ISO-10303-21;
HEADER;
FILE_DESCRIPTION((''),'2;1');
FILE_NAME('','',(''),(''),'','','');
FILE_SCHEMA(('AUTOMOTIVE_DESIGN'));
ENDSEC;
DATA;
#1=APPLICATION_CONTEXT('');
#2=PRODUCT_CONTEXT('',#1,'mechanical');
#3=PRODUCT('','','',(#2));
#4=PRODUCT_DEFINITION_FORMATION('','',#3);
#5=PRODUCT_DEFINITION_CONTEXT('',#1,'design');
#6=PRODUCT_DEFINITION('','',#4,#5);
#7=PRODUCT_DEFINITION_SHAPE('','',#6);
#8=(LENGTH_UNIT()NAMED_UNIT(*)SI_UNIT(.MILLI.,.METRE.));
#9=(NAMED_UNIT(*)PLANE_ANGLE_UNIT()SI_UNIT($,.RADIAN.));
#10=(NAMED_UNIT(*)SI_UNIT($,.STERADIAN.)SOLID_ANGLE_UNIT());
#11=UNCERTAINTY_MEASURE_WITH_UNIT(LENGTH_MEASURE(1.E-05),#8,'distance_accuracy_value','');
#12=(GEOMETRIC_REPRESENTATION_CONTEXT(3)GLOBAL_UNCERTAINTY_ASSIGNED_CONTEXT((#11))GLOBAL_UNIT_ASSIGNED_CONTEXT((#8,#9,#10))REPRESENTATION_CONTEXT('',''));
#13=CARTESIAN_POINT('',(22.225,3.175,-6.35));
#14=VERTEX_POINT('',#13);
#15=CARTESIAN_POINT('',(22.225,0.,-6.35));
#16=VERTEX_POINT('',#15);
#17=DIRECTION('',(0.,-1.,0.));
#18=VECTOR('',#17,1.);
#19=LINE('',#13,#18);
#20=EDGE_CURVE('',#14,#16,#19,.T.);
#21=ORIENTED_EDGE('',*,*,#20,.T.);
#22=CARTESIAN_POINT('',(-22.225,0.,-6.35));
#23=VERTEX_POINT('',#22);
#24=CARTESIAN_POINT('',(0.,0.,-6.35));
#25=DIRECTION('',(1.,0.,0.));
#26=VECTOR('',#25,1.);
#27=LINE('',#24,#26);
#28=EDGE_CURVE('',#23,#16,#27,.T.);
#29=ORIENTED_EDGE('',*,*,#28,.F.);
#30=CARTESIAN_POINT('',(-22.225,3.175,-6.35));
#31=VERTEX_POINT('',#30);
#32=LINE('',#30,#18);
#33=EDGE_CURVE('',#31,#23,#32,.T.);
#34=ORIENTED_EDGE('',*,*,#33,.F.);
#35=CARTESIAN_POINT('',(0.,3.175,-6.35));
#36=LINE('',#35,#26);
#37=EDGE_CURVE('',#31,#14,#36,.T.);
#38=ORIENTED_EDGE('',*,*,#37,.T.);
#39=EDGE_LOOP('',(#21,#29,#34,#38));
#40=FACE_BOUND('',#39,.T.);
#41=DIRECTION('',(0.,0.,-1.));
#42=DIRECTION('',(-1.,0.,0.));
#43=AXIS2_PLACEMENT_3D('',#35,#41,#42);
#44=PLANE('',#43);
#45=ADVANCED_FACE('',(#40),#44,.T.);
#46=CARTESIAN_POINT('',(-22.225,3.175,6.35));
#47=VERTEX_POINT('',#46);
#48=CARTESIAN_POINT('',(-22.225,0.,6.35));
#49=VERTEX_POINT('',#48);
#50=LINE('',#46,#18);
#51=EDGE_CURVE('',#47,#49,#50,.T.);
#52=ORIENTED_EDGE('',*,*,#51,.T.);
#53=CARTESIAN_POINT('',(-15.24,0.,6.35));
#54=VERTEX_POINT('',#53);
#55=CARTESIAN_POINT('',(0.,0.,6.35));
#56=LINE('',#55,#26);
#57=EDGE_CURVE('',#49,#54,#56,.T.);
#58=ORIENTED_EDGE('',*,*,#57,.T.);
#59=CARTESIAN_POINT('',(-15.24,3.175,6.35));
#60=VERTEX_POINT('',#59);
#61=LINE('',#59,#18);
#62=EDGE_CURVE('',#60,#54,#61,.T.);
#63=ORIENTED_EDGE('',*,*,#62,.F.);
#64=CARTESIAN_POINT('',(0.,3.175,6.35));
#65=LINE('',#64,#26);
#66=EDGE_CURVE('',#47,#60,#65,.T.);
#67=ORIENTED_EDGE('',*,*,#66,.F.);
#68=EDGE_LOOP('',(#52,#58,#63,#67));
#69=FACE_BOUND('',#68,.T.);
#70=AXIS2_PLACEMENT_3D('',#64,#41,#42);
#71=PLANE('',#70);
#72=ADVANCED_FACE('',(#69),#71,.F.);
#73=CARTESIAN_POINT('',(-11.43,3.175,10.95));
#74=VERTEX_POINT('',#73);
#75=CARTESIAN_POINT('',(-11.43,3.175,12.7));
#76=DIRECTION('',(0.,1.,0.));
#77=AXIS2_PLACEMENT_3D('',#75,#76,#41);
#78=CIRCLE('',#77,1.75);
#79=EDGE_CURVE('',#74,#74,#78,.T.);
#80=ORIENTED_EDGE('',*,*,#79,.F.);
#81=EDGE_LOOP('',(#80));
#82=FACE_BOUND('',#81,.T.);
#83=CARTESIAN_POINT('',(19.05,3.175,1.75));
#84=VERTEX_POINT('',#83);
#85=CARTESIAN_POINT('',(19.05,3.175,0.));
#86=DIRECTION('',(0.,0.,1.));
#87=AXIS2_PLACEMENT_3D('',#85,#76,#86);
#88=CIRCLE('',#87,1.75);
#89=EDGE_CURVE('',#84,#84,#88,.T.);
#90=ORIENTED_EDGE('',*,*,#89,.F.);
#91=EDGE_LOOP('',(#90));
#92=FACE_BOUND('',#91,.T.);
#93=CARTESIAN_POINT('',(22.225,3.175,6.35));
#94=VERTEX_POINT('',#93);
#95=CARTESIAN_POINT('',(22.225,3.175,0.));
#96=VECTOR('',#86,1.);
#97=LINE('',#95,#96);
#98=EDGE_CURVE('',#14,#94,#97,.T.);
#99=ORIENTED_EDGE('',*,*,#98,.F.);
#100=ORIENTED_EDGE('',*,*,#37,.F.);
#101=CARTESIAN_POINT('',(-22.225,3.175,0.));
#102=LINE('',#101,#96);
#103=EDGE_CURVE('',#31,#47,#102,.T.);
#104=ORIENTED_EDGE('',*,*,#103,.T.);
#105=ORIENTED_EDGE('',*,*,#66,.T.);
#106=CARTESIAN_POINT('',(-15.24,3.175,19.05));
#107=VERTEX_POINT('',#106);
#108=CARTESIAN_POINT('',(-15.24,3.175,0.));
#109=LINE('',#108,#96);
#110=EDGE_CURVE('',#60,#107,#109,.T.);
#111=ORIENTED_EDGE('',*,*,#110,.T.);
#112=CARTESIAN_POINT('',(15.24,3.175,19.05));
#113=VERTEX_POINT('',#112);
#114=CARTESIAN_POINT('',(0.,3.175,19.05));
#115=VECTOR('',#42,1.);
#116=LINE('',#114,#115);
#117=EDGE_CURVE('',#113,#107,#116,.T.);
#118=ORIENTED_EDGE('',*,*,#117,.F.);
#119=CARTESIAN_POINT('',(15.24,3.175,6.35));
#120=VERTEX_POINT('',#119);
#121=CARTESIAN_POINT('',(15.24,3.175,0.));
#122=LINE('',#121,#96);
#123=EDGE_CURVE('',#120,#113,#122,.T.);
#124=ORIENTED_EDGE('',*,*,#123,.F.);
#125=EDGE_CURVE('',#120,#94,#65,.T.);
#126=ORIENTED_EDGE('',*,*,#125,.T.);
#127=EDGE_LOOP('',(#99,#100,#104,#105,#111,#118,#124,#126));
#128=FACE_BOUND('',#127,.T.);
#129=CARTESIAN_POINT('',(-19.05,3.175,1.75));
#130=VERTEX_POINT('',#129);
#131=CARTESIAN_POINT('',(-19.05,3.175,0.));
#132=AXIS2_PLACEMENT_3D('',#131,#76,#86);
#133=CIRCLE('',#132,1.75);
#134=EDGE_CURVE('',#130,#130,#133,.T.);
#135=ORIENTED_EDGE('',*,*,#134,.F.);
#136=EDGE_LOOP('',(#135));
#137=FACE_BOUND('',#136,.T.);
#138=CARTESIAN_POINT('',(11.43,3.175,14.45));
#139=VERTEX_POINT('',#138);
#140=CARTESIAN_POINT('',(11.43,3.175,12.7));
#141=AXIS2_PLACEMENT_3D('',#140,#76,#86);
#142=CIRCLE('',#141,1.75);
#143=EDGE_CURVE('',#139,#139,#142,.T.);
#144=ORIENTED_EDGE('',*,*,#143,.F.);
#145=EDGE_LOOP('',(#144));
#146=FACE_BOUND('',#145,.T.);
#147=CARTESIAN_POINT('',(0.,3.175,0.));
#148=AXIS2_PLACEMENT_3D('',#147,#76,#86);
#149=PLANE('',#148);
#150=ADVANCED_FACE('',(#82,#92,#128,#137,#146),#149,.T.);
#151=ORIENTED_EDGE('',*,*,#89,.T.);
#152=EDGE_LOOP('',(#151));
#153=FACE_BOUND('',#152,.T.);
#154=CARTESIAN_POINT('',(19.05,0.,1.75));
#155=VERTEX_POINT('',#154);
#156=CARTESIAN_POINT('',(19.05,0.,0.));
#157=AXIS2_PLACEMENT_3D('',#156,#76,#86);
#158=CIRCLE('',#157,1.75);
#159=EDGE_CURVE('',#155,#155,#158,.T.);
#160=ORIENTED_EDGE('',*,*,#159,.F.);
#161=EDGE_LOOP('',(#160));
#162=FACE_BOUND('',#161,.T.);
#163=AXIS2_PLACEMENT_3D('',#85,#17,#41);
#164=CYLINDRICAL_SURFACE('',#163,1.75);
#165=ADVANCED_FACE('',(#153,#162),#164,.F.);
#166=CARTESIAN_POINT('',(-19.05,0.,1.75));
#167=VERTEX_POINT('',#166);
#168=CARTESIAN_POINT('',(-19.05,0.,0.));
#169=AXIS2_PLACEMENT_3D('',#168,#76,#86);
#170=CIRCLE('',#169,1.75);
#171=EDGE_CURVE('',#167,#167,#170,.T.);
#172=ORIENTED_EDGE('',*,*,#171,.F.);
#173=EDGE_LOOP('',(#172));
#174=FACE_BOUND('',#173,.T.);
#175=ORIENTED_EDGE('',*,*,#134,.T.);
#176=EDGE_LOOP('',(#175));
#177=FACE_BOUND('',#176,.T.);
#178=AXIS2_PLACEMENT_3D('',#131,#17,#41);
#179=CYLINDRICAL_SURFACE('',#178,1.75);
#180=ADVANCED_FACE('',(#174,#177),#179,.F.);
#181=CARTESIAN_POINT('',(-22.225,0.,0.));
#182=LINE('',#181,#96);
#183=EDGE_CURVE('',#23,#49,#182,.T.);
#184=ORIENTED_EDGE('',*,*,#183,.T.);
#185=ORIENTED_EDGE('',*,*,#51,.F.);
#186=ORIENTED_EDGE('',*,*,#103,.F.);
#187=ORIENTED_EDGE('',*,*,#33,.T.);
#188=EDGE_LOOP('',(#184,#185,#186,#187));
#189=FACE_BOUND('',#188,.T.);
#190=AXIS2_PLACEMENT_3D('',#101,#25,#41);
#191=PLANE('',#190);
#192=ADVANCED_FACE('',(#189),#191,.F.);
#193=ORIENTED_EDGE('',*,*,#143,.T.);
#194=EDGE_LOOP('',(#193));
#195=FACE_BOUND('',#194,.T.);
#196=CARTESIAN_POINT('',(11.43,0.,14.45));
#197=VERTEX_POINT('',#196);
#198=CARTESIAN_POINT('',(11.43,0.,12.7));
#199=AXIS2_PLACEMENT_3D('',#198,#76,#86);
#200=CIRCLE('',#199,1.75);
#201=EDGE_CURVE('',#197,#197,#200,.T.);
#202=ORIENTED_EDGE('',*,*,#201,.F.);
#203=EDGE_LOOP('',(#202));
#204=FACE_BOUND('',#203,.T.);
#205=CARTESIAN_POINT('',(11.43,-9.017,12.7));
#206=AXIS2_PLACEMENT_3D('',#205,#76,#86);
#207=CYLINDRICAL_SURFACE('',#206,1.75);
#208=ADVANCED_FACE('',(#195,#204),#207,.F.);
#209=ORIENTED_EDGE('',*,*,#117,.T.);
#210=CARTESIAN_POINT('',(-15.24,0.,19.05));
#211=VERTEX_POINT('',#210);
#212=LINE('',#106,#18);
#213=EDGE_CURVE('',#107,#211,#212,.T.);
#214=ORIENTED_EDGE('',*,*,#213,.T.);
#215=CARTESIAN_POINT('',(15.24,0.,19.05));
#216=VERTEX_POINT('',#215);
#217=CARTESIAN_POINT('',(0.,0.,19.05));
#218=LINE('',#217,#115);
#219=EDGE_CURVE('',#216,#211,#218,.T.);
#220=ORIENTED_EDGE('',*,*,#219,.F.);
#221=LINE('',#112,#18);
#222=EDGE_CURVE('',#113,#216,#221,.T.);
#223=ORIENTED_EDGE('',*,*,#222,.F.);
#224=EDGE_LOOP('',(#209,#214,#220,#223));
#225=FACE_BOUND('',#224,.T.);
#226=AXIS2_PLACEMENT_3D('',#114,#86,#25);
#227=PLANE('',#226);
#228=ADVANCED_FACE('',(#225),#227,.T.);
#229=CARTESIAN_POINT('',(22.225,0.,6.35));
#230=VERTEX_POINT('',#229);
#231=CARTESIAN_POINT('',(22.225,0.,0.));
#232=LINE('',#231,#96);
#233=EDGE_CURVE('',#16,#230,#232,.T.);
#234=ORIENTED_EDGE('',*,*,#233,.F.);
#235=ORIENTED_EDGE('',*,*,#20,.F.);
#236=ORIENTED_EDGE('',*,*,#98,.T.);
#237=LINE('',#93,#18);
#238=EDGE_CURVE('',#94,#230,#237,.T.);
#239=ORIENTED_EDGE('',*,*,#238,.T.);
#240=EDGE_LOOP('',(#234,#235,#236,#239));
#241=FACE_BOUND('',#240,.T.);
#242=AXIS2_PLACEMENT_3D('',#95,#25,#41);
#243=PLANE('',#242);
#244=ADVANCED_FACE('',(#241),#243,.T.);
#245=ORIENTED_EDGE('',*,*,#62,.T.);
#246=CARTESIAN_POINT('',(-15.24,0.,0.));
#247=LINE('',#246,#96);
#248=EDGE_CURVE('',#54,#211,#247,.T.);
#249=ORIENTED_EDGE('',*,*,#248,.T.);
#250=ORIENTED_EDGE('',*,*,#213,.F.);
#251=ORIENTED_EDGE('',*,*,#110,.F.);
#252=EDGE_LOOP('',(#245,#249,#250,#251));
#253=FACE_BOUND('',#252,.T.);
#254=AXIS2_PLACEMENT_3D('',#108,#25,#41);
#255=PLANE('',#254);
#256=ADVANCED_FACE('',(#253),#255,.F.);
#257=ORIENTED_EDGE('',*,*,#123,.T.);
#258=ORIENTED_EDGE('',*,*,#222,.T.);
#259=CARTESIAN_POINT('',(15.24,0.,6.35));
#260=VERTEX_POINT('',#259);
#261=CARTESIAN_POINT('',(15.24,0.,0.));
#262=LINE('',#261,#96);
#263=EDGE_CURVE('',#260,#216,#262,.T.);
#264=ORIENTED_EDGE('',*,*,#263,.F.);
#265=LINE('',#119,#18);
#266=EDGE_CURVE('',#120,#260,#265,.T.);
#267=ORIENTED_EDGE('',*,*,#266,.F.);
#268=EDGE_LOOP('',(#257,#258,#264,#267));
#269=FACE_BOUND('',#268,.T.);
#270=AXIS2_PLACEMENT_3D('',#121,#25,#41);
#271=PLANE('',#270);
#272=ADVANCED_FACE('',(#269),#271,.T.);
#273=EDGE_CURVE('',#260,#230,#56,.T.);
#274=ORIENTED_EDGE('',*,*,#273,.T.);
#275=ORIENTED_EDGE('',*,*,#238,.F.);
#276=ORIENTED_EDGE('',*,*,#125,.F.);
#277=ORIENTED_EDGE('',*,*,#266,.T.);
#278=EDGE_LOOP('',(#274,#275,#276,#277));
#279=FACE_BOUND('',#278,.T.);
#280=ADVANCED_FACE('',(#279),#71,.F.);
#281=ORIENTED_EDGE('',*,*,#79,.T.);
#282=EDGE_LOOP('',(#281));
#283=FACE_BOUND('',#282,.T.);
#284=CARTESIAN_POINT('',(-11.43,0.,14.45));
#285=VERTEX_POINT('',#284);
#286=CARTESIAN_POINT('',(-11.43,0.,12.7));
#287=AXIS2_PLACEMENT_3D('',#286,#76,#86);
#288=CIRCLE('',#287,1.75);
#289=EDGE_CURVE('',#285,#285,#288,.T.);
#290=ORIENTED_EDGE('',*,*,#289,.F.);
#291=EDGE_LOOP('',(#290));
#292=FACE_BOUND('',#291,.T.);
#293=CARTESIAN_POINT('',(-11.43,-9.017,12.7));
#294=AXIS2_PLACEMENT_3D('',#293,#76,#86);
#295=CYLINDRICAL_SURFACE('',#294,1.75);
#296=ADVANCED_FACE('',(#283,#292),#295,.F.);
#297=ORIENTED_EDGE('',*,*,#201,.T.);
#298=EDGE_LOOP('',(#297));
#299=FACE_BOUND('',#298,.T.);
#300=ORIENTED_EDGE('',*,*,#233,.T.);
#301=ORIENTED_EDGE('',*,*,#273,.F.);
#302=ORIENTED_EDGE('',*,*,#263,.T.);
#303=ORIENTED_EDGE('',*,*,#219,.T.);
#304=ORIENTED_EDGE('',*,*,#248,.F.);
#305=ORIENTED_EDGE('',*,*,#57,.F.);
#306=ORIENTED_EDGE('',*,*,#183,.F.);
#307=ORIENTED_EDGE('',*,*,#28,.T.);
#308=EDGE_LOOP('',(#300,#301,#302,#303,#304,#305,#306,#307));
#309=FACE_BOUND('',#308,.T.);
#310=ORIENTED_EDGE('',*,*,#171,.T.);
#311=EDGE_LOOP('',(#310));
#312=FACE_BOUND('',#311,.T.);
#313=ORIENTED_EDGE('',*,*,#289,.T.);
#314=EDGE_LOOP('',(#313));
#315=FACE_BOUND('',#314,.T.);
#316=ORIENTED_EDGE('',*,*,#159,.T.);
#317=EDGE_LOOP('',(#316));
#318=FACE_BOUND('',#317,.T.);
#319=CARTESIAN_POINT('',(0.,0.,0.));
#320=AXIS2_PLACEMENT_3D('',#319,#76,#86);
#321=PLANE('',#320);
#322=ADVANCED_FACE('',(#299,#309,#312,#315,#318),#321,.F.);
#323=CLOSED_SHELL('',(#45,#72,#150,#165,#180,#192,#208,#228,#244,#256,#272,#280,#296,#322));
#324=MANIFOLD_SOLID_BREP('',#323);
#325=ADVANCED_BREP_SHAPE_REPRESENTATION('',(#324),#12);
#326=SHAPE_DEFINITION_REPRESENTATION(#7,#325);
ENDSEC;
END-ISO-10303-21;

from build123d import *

# Parameters (mm, degrees)
SKETCH1_W           = 44.45
SKETCH1_H           = 12.7
SKETCH1_R           = 1.75
SKETCH1_W_2         = 30.48
BOSS_EXTRUDE1_DEPTH = 3.175
SKETCH2_R           = 1.75
CUT_EXTRUDE1_DEPTH  = 12.192


with BuildPart() as part:
    # Sketch1 → Boss-Extrude1 (new body)
    # profile 1 of 2: a face of its own
    with BuildSketch(Plane(origin=(0, 0, 0), x_dir=(-1, 0, 0), z_dir=(0, 1, 0))):
        Rectangle(SKETCH1_W, SKETCH1_H)
        with Locations(Location((19.05, 0, 0), (0, 0, 90))):
            Circle(SKETCH1_R, mode=Mode.SUBTRACT)
        with Locations(Location((-19.05, 0, 0), (0, 0, 90))):
            Circle(SKETCH1_R, mode=Mode.SUBTRACT)
    # profile 2 of 2: a face of its own
    with BuildSketch(Plane(origin=(0, 0, 0), x_dir=(-1, 0, 0), z_dir=(0, 1, 0))):
        with Locations((0, 12.7)):
            Rectangle(SKETCH1_W_2, SKETCH1_H)
    extrude(amount=BOSS_EXTRUDE1_DEPTH)

    # Sketch2 → Cut-Extrude1 (cut)
    with BuildSketch(Plane(origin=(0, 3.175, 0), x_dir=(-1, 0, 0), z_dir=(0, 1, 0))):
        with Locations(Location((-11.43, 12.7, 0), (0, 0, 90))):
            Circle(SKETCH2_R)
        with Locations(Location((11.43, 12.7, 0), (0, 0, 90))):
            Circle(SKETCH2_R)
    extrude(amount=-CUT_EXTRUDE1_DEPTH, mode=Mode.SUBTRACT)


solid = part.part
